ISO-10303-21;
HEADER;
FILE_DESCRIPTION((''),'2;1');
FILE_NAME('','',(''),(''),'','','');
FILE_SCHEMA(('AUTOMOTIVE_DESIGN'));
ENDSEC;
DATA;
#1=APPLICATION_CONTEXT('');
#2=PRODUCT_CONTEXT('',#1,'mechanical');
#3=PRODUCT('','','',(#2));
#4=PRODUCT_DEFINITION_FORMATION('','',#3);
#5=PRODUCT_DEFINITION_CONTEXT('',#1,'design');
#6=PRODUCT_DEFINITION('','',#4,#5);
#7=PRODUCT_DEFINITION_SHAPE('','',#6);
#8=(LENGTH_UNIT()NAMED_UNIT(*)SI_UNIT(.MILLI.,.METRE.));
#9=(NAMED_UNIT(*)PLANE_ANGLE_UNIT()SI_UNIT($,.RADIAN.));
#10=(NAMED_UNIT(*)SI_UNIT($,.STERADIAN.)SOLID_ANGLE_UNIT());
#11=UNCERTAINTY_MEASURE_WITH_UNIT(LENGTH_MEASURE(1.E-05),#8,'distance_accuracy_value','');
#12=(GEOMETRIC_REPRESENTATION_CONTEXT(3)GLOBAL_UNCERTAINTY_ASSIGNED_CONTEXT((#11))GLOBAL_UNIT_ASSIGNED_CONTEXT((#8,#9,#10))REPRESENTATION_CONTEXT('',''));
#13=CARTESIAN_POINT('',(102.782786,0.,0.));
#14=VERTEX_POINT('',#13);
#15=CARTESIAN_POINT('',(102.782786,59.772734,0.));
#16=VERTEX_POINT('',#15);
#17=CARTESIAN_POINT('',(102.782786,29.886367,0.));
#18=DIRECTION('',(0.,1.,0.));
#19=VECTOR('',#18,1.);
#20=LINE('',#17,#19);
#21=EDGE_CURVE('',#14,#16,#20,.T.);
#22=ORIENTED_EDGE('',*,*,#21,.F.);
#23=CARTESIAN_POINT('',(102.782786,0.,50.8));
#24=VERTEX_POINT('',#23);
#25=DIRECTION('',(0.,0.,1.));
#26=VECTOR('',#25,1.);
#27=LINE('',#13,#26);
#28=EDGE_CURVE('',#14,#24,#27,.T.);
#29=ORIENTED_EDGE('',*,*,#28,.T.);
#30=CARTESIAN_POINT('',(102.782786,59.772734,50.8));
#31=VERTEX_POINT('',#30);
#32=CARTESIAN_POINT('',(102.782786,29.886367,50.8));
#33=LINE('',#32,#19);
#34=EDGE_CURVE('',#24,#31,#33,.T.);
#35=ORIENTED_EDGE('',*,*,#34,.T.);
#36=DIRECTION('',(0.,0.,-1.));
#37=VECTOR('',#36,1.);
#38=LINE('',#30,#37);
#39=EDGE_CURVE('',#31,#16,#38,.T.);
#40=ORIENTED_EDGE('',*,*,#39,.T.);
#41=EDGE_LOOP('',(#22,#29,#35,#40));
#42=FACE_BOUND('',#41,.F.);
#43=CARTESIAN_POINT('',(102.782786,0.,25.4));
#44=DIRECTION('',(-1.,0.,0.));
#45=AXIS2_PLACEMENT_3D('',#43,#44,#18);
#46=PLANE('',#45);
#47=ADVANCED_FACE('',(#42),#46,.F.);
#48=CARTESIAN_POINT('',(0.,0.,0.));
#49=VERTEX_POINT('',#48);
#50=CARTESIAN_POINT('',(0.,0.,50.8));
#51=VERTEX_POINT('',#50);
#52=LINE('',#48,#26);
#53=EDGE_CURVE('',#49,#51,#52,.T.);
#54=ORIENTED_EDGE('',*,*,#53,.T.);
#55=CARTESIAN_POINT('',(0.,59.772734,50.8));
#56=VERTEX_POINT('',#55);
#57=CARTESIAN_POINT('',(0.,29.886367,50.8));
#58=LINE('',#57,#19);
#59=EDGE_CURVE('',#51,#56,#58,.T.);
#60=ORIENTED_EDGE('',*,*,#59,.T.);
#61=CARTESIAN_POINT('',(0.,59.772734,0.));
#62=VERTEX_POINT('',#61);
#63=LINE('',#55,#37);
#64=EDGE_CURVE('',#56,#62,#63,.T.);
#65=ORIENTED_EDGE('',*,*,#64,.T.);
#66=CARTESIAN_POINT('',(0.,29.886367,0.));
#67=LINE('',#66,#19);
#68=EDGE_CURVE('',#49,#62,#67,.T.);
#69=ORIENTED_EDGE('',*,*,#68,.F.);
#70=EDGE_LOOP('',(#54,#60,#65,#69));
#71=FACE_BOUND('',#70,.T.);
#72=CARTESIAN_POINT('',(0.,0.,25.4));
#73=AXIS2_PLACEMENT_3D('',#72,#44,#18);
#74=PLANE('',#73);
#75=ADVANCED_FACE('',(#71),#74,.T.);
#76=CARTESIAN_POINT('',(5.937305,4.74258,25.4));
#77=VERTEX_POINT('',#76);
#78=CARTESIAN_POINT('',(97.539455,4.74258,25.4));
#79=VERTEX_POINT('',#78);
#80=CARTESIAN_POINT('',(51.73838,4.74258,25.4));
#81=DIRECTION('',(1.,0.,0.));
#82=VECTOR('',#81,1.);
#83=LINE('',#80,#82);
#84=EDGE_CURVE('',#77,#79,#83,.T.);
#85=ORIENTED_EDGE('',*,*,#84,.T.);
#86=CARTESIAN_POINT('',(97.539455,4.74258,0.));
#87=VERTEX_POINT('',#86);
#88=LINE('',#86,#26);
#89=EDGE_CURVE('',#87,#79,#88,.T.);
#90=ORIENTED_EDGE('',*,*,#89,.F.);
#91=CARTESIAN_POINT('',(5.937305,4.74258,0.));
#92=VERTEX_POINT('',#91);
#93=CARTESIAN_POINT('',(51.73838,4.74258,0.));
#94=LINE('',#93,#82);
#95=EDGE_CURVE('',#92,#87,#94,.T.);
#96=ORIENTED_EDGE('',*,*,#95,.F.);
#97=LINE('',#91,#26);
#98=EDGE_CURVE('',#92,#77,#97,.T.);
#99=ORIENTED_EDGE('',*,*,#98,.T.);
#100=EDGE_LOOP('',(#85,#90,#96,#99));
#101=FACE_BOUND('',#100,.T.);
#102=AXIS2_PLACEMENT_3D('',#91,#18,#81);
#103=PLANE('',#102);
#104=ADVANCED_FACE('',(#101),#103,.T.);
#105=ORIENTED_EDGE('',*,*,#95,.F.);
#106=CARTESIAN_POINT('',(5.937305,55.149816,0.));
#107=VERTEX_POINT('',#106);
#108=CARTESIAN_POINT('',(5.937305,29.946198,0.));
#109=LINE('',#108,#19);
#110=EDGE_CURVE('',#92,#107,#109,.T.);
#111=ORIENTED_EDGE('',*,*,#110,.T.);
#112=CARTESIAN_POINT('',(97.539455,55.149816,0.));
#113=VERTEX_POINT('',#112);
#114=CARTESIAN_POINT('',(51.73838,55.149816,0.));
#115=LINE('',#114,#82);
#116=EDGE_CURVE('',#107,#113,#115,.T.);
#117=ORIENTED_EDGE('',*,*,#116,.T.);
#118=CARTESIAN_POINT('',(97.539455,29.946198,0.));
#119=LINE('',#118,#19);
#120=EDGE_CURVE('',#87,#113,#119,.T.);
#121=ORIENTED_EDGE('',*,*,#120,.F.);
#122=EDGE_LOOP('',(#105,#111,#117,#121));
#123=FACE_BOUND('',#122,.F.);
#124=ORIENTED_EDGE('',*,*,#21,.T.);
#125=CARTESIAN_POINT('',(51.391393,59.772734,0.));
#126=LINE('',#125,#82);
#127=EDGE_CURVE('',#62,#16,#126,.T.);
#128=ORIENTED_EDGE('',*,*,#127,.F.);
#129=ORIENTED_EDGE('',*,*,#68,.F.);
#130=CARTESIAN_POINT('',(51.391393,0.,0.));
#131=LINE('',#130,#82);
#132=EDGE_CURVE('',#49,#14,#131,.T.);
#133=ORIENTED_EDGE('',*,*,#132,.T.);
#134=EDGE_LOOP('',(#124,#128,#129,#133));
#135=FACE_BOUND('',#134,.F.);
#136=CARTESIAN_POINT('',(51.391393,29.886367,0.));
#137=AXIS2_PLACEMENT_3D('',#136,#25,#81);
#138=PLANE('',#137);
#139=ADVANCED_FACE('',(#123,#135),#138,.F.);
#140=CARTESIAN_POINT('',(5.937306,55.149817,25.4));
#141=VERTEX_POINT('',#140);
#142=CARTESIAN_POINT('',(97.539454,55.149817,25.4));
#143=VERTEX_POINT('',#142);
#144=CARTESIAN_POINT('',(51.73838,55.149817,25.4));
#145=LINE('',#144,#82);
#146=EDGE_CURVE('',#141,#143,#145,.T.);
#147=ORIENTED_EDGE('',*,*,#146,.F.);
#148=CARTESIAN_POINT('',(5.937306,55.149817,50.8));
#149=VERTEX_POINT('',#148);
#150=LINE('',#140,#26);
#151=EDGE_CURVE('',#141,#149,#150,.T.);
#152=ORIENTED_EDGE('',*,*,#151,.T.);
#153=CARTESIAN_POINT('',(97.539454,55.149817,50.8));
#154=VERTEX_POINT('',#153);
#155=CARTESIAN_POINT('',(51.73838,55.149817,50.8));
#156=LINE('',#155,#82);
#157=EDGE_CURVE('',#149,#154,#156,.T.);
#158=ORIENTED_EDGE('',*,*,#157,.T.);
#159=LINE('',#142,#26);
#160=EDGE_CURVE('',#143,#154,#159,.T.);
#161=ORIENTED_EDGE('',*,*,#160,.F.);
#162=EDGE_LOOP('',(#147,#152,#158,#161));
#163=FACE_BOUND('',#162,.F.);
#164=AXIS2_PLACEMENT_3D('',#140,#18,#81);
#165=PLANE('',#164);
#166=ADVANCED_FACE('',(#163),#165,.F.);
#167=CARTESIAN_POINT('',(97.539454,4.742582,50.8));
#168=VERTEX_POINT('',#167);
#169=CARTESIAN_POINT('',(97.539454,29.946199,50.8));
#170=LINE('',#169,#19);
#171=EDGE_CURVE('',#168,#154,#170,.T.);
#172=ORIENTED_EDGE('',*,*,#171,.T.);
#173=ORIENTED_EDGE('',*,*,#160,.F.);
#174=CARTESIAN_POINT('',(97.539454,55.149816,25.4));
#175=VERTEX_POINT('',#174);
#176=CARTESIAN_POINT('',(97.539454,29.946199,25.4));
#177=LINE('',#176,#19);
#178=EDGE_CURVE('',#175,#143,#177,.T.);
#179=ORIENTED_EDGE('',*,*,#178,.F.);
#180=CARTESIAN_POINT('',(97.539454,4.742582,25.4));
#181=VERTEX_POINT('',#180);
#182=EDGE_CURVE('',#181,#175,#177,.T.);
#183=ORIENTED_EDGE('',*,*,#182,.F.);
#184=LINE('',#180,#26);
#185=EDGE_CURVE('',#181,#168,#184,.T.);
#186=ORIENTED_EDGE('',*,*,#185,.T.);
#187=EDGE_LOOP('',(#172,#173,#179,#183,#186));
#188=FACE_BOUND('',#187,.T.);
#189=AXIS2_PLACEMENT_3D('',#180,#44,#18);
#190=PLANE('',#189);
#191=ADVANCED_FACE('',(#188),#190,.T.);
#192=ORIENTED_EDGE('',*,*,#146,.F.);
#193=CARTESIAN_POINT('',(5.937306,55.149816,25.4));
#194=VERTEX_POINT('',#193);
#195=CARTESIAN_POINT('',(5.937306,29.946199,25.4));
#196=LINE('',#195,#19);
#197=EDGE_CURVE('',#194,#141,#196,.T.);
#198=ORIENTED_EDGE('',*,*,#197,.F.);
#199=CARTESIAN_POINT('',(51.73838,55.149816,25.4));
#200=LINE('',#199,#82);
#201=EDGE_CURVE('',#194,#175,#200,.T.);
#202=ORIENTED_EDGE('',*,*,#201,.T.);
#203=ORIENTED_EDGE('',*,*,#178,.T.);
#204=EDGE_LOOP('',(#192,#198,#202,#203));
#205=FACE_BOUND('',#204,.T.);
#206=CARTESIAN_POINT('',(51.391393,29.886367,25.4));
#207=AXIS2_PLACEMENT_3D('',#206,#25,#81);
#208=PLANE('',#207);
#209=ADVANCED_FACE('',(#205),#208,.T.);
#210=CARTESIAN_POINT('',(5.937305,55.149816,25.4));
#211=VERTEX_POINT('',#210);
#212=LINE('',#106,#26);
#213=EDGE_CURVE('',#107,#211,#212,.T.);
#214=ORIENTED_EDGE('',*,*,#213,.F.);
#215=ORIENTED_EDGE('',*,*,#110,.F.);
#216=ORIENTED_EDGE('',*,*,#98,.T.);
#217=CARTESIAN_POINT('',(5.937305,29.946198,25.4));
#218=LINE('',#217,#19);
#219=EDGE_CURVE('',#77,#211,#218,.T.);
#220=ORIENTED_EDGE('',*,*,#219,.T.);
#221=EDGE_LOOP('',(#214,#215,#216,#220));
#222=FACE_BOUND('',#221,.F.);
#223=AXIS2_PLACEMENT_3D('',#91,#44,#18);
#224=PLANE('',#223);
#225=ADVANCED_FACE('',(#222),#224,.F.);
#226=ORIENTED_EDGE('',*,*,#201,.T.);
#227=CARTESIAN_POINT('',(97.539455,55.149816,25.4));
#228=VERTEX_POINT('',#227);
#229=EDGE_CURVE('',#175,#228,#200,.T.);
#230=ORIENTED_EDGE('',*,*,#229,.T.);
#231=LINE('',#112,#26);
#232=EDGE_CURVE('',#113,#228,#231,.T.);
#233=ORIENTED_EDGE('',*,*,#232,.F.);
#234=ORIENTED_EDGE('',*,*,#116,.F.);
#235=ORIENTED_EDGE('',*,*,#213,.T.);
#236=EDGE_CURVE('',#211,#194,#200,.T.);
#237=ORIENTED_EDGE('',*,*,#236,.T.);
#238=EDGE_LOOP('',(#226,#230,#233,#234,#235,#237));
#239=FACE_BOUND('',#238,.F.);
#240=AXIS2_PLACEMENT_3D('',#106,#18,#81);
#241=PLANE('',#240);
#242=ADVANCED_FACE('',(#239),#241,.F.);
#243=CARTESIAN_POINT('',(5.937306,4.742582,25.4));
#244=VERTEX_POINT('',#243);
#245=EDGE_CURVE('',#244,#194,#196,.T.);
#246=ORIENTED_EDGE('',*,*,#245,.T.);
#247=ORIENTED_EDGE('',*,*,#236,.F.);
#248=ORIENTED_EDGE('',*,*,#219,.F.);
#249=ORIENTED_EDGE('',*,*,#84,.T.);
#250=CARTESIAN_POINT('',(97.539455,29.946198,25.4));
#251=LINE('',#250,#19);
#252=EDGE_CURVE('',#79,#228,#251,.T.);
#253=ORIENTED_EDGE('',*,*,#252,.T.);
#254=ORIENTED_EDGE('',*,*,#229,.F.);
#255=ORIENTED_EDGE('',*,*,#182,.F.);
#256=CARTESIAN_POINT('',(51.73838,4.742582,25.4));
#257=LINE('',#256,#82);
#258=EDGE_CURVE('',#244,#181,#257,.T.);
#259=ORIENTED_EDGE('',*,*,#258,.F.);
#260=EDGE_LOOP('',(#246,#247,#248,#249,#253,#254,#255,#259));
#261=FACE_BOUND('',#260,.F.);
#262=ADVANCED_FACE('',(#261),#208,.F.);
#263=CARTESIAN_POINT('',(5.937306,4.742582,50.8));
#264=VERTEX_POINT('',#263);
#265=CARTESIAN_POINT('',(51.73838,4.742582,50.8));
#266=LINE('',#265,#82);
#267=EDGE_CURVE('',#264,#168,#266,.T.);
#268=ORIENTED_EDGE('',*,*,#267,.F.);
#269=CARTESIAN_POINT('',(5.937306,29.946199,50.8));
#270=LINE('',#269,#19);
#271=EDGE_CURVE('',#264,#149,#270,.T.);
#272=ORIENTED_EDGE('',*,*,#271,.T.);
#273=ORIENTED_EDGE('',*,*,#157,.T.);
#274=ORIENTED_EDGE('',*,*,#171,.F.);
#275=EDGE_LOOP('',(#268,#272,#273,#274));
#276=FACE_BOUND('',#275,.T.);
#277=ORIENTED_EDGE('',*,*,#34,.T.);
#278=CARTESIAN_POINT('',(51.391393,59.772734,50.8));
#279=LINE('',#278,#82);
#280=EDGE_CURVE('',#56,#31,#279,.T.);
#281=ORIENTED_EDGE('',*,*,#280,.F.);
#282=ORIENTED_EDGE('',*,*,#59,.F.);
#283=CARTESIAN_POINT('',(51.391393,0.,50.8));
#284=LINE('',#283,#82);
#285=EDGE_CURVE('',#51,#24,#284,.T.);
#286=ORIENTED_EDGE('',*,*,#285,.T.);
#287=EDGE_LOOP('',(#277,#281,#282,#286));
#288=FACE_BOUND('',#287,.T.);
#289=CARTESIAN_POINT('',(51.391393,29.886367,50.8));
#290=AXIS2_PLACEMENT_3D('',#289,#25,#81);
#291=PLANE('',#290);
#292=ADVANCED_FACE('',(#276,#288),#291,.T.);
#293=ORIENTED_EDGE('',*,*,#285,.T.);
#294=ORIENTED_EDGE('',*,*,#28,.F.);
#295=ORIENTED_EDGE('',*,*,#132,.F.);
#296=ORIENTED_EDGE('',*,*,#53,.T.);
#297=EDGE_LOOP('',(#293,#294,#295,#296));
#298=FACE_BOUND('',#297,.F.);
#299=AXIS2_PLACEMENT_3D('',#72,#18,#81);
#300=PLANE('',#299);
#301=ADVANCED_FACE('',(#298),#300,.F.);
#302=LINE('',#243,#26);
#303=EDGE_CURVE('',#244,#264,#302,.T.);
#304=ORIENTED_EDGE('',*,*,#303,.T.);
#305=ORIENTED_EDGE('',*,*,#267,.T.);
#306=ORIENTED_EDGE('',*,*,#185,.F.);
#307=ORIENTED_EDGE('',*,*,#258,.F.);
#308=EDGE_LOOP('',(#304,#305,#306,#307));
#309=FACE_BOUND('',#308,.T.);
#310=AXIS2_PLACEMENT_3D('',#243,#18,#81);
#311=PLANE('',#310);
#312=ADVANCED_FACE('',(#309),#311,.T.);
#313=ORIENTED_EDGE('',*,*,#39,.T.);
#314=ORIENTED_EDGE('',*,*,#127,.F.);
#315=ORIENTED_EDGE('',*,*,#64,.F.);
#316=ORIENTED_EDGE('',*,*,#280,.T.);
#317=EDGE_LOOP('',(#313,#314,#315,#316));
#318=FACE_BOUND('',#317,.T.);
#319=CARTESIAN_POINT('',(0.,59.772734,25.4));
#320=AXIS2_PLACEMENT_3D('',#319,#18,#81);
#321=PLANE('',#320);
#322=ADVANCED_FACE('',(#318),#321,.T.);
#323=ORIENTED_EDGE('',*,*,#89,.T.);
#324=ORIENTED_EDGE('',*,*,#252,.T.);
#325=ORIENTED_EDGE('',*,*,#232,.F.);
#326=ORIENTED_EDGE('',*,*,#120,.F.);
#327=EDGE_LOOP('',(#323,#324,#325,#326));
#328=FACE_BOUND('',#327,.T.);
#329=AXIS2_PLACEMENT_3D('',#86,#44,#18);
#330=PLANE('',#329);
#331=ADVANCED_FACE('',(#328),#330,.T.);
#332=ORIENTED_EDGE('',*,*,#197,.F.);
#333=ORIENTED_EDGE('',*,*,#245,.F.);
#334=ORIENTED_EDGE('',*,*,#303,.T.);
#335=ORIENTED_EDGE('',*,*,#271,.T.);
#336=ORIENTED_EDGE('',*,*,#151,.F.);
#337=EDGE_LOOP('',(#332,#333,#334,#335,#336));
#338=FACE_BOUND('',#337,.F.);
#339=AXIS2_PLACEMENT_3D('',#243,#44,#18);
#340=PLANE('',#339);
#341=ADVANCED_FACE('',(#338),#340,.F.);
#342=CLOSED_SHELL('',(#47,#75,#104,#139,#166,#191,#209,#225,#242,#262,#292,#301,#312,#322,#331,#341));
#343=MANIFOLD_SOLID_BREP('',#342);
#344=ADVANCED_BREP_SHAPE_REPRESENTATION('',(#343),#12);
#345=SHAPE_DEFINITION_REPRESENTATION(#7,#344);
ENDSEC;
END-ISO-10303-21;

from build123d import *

# Parameters (mm, degrees)
F0_W        = 102.782786
F0_H        = 59.772734
F0_W_2      = 91.602149
F0_H_2      = 50.407235
F1_DEPTH    = 25.4
F1_FACE_W   = 102.782786
F1_FACE_H   = 59.772734
F1_FACE_W_2 = 91.602148
F1_FACE_H_2 = 50.407235
F2_DEPTH    = 25.4


with BuildPart() as f1:
    # F0 (on Top) → F1 (new body)
    with BuildSketch(Plane.XY):
        with Locations((51.391393, 29.886367)):
            Rectangle(F0_W, F0_H)
        with Locations((51.73838, 29.946198)):
            Rectangle(F0_W_2, F0_H_2, mode=Mode.SUBTRACT)
    extrude(amount=F1_DEPTH)

    # F1_face (on face) → F2 (join)
    with BuildSketch(Plane(origin=(50.341605, 29.70535, 25.4), x_dir=(1, 0, 0), z_dir=(0, 0, 1))):
        with Locations((1.049788, 0.181017)):
            Rectangle(F1_FACE_W, F1_FACE_H)
        with Locations((1.396775, 0.240849)):
            Rectangle(F1_FACE_W_2, F1_FACE_H_2, mode=Mode.SUBTRACT)
    extrude(amount=F2_DEPTH)


solid = f1.part
